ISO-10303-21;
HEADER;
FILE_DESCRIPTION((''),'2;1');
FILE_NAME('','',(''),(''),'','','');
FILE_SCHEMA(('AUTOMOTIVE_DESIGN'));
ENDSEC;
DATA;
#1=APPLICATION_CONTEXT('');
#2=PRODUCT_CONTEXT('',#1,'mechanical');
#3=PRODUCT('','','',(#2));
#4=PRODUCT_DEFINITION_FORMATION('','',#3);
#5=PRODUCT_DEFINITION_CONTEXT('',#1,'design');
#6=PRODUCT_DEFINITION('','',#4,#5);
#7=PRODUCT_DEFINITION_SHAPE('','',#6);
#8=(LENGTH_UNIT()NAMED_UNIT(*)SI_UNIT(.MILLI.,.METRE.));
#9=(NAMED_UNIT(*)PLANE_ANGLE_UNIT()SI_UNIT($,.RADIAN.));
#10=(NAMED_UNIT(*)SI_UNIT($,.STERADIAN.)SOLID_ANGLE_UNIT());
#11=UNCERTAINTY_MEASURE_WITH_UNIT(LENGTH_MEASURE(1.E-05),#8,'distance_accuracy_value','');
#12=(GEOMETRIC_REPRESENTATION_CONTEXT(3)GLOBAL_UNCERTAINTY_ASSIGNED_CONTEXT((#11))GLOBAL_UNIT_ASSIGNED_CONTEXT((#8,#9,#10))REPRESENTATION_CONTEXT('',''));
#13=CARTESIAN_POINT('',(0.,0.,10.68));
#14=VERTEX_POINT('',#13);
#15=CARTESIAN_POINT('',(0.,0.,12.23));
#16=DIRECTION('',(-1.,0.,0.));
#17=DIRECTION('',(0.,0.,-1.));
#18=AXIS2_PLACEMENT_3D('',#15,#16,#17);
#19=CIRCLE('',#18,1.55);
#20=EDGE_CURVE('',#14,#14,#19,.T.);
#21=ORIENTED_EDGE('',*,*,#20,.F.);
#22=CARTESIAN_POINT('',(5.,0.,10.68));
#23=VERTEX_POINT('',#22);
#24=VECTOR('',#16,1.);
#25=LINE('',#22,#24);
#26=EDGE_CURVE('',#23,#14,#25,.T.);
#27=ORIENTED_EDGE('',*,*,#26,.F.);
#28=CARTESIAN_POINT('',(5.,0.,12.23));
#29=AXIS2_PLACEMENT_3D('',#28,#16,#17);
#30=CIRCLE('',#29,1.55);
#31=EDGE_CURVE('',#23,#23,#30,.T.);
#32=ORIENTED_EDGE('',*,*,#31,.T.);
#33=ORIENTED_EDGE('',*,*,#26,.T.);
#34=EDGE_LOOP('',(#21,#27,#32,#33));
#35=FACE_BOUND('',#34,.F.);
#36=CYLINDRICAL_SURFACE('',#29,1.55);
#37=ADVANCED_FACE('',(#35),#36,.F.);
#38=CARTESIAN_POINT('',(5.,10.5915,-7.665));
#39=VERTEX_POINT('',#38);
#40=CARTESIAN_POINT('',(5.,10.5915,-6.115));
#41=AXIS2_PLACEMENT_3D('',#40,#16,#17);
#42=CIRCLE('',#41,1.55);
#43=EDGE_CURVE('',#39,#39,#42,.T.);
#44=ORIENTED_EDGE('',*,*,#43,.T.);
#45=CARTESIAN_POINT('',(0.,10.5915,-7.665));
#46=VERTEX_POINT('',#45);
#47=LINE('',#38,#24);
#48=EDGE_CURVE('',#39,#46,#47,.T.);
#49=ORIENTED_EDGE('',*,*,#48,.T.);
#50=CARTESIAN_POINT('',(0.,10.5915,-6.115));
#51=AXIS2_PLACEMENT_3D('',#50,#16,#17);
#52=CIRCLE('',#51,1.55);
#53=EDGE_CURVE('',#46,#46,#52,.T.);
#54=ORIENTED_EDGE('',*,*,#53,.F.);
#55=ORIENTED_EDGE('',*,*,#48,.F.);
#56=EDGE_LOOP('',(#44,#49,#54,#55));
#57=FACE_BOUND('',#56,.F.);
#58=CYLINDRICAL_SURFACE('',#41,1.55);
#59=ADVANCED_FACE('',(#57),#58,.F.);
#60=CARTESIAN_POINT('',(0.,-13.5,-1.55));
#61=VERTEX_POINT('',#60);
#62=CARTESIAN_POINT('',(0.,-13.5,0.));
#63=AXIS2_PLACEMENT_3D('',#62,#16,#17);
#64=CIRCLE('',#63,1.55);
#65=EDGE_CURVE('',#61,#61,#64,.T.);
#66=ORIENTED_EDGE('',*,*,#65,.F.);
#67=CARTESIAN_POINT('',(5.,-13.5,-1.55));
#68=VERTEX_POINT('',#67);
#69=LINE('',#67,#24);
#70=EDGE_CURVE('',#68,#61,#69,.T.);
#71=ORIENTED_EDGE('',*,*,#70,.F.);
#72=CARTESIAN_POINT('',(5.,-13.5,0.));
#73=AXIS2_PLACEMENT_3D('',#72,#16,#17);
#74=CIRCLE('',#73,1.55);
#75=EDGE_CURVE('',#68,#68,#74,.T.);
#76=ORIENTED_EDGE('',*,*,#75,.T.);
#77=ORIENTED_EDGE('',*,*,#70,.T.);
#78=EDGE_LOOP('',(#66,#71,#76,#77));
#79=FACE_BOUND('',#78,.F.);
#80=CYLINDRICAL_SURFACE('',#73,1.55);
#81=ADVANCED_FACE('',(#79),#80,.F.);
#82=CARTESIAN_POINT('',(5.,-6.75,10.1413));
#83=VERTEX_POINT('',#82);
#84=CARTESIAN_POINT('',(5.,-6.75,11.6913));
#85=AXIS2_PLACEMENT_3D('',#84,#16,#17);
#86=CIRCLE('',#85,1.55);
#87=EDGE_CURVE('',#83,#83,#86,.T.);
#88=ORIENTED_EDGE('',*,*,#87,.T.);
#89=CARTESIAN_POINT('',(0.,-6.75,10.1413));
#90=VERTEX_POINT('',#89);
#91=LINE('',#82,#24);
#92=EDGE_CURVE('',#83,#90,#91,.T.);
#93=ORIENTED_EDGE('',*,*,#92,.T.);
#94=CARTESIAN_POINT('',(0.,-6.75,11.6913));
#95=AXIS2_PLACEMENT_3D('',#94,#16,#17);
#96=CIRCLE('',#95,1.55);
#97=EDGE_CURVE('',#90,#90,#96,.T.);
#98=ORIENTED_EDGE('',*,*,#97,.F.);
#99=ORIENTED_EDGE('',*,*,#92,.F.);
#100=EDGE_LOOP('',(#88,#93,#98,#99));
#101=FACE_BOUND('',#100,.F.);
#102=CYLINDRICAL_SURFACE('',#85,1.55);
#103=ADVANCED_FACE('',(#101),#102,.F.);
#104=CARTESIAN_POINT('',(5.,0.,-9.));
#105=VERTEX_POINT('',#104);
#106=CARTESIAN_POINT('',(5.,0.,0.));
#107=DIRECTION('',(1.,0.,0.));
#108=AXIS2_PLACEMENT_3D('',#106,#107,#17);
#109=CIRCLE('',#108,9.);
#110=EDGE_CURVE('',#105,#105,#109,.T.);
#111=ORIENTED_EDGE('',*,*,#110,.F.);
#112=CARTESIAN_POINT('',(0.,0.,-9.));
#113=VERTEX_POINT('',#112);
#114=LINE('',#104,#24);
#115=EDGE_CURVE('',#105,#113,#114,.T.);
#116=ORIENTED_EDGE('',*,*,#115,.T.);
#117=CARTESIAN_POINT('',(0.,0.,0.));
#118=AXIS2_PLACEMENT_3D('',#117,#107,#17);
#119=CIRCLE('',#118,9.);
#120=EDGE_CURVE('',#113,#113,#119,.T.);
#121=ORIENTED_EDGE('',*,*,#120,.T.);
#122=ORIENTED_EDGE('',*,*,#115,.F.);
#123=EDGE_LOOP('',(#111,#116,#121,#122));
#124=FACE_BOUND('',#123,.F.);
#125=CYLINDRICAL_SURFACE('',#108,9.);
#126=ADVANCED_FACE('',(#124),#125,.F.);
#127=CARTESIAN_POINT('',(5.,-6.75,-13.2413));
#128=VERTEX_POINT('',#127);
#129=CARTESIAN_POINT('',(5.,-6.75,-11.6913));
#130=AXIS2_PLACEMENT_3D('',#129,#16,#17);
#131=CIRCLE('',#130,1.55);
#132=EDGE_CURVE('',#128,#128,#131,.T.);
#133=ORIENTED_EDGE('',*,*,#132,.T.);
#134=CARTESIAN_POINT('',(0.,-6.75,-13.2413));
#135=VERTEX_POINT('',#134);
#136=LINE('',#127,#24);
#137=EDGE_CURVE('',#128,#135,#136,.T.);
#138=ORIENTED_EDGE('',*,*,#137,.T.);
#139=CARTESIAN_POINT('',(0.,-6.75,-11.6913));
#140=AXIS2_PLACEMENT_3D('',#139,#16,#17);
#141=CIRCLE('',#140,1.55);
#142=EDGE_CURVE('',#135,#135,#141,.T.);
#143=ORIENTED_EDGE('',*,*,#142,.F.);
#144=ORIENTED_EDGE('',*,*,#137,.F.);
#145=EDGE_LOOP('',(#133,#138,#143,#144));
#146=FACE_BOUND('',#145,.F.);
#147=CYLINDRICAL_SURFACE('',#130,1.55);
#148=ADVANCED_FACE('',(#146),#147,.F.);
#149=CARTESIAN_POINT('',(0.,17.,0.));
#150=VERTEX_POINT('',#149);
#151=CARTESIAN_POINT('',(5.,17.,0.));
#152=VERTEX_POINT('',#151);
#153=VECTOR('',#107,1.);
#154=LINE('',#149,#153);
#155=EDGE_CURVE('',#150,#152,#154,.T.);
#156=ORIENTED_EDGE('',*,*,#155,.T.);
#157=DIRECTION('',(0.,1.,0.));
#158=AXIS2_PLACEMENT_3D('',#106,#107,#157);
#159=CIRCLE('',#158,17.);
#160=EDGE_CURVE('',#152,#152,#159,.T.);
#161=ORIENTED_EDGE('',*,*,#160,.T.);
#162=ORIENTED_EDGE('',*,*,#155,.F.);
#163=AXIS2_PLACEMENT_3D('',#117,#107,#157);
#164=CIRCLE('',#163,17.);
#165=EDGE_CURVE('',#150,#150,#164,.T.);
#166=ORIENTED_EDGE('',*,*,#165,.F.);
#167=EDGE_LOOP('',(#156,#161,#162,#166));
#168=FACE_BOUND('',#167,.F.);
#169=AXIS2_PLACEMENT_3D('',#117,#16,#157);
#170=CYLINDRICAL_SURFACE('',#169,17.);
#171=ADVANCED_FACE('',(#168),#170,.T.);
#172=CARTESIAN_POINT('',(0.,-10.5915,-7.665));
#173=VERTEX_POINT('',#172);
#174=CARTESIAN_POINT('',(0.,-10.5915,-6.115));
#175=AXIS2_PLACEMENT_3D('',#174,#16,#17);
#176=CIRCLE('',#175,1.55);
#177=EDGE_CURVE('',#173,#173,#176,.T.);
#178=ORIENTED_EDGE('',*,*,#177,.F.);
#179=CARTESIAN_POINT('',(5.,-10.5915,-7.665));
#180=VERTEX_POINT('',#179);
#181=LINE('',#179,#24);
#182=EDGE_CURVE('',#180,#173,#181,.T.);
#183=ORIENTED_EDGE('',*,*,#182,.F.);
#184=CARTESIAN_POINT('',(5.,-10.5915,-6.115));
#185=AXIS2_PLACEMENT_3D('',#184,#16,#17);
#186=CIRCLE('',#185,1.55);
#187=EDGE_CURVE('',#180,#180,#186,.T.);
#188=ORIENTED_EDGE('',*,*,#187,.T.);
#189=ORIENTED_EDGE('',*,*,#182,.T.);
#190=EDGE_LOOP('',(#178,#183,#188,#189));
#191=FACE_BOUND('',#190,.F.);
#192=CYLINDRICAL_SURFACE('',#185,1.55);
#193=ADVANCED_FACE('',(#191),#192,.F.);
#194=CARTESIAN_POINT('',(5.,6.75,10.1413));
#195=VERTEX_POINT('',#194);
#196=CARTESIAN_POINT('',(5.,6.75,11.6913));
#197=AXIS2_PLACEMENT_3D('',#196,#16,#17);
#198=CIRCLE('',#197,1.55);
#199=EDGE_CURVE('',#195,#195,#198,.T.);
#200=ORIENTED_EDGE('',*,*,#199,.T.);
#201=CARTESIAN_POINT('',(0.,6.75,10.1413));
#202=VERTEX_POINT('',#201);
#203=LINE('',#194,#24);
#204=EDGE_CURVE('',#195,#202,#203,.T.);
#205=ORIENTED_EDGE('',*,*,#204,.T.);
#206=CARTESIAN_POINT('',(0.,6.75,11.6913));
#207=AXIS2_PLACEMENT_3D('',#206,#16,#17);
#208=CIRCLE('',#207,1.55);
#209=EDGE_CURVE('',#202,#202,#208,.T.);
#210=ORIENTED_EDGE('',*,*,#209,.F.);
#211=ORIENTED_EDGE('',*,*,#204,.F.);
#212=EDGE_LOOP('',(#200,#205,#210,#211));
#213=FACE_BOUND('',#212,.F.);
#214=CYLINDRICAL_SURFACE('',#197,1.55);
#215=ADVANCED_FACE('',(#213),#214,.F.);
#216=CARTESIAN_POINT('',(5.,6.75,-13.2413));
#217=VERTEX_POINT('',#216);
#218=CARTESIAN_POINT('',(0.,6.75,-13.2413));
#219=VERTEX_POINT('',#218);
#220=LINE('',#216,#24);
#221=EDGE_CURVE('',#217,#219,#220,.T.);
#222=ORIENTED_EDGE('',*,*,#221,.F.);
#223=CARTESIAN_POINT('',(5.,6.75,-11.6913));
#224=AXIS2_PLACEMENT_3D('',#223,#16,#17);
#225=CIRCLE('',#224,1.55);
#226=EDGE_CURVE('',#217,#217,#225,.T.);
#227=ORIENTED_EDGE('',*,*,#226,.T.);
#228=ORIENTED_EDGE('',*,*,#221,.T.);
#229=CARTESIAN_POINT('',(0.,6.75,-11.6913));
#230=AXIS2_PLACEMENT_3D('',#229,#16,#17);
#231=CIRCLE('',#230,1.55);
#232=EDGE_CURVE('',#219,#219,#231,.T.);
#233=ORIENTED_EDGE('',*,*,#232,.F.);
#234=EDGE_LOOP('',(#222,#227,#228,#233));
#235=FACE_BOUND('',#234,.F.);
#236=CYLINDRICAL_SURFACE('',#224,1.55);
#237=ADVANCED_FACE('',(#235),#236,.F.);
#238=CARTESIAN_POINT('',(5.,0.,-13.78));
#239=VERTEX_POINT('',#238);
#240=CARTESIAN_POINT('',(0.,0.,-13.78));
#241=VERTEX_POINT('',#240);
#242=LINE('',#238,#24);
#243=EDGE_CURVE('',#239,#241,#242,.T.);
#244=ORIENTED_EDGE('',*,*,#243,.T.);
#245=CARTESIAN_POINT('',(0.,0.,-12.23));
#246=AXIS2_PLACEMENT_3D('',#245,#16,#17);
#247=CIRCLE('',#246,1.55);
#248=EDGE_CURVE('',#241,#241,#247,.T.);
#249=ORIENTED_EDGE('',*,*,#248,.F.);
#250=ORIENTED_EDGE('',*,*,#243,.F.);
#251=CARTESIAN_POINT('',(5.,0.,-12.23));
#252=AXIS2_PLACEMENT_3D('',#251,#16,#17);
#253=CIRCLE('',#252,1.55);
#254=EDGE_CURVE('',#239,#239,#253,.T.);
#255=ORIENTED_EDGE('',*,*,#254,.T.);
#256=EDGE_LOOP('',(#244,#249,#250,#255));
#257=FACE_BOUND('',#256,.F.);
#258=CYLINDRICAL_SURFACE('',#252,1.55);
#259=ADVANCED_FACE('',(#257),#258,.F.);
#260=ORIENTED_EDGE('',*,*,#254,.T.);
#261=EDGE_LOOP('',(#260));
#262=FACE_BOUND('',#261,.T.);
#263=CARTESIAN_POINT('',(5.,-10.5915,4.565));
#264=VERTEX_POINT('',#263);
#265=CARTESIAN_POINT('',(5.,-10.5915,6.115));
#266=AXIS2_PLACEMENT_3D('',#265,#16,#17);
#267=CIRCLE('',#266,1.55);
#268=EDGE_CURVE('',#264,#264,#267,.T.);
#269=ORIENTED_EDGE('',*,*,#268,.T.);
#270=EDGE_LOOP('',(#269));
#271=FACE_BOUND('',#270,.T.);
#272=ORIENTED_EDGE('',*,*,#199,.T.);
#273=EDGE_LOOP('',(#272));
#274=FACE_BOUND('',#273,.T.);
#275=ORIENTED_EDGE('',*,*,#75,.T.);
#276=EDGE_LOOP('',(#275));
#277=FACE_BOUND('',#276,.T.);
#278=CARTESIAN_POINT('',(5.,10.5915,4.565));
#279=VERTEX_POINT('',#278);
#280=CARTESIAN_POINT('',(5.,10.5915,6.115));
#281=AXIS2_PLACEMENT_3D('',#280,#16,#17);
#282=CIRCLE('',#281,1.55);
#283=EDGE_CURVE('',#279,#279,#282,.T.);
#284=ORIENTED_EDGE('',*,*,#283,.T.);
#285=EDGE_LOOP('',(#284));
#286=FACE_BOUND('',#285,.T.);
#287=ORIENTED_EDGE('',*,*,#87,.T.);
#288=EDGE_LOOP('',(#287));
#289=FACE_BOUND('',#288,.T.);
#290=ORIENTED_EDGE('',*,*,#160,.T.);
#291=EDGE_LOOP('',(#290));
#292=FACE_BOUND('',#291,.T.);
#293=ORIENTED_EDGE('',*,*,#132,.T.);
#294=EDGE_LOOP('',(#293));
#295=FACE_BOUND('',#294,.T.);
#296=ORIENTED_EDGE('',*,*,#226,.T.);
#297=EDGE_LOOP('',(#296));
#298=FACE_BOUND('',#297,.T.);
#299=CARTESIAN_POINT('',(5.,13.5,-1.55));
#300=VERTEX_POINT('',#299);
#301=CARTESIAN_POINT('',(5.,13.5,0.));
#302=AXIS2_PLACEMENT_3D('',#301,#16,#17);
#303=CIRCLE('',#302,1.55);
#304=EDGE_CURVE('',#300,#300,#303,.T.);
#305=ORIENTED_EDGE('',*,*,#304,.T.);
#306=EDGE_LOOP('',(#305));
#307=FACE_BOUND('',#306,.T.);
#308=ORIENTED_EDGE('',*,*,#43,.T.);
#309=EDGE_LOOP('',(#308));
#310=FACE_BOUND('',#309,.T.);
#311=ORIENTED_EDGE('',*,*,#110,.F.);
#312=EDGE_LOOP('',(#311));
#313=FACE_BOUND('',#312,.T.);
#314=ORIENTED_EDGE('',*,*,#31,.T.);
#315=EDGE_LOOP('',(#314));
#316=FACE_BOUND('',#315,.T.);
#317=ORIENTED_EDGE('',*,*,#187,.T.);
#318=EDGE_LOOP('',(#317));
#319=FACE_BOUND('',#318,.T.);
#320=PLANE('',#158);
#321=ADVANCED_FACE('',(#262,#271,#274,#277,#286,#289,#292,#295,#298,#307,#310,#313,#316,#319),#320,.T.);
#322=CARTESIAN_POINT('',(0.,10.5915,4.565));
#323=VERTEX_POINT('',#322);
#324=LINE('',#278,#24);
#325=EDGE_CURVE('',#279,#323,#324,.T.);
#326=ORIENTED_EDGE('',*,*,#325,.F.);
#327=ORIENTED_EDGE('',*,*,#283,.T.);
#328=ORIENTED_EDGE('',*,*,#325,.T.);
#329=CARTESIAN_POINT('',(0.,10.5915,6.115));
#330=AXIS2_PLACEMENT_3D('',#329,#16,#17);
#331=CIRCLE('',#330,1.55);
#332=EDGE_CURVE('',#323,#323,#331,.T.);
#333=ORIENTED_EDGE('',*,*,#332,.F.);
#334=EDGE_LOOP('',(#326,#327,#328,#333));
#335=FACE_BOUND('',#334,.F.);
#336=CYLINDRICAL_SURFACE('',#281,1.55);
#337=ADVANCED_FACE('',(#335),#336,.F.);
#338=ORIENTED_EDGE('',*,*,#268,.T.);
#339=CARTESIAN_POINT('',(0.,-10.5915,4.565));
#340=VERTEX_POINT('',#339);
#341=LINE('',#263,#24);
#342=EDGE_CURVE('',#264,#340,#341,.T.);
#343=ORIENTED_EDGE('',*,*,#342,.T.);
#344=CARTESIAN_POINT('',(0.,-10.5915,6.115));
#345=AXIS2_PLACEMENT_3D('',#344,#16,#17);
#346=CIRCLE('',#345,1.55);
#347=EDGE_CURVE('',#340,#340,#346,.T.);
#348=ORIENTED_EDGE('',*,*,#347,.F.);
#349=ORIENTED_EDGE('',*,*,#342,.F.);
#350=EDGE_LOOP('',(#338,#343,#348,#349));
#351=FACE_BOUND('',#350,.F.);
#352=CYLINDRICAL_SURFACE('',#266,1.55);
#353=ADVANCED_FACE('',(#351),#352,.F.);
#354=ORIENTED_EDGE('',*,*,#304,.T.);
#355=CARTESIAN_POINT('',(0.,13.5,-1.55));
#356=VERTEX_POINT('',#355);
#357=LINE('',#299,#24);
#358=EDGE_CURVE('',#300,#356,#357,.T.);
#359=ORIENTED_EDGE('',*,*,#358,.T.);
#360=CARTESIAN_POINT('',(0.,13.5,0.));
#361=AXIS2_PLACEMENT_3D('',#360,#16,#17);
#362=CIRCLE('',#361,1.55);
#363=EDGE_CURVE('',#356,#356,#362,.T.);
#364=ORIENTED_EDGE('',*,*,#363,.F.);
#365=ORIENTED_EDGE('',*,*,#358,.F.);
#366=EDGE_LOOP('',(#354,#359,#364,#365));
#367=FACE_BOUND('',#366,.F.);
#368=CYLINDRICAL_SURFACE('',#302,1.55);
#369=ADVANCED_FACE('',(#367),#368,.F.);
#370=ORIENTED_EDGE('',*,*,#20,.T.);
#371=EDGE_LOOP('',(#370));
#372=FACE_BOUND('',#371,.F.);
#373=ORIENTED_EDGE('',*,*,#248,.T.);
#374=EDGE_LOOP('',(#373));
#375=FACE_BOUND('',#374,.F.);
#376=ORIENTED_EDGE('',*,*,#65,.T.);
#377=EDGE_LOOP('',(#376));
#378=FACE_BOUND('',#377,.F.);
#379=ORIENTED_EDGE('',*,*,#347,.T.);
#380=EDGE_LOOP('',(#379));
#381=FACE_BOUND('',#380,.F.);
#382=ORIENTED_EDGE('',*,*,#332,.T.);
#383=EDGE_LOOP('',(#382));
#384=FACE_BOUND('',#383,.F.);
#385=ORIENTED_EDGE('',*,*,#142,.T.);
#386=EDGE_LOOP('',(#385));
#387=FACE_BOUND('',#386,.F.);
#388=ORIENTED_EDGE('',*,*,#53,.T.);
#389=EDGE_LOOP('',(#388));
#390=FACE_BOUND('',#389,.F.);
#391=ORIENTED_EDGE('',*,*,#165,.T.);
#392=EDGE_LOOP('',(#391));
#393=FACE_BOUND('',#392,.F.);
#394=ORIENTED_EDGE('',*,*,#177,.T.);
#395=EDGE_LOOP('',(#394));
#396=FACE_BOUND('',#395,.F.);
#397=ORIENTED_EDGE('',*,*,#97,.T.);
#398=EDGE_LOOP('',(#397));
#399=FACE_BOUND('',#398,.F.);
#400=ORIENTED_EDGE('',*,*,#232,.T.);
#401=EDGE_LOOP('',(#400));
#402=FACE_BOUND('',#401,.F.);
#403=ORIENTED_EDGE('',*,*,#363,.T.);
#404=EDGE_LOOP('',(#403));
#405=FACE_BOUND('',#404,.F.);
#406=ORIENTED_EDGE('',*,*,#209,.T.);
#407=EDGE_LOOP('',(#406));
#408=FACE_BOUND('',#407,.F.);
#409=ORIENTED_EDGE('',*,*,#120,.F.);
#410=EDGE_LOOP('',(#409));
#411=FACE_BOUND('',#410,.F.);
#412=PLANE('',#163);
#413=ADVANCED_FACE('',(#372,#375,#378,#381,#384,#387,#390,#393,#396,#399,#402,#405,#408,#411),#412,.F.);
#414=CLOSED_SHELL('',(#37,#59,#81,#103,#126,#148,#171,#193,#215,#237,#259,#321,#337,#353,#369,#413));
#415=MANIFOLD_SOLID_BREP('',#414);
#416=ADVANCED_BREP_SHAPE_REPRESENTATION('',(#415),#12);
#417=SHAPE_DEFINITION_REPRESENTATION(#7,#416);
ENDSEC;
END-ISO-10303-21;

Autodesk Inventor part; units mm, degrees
ref_plane "YZ Plane" through (0, 0, 0) normal (1, 0, 0) x (0, 1, 0)
ref_plane "XZ Plane" through (0, 0, 0) normal (0, 1, 0) x (-1, 0, 0)
ref_plane "XY Plane" through (0, 0, 0) normal (0, 0, 1) x (1, 0, 0)
sketch "スケッチ1" plane through (0, 0, 0) normal (1, 0, 0) x (0, 1, 0)
  circle A0 centre (0, 0) radius 17
  dimension "d0" = 34
extrude "押し出し1" add sketch "スケッチ1" along normal blind 5
sketch "スケッチ2" plane through (5, 0, 0) normal (1, 0, 0) x (0, 0, -1)
  circle A0 centre (0, 0) radius 13.5
  circle A1 centre (0, 0) radius 12.23
  line L0 (0, 0) -> (0, 13.5)
  line L1 (0, 0) -> (6.115, 10.5915)
  point P0 (-11.6913, 6.75)
  point P1 (-11.6913, -6.75)
  point P2 (0, -13.5)
  point P3 (11.6913, -6.75)
  point P4 (11.6913, 6.75)
  point P5 (-6.115, 10.5915)
  point P6 (-12.23, 0)
  point P7 (-6.115, -10.5915)
  point P8 (6.115, -10.5915)
  point P9 (12.23, 0)
  dimension "d3" = 27
  dimension "d4" = 24.46
  dimension "d5" = 30
  dimension "d8" = 360
  dimension "d12" = 360
hole "穴1" at (5, 13.5, 0) at (5, 6.75, 11.6913) at (5, -6.75, 11.6913) at (5, -13.5, 0) at (5, -6.75, -11.6913) at (5, 6.75, -11.6913) at (5, 10.5915, -6.115) at (5, 10.5915, 6.115) at (5, 0, 12.23) at (5, -10.5915, 6.115) at (5, 0, -12.23) at (5, -10.5915, -6.115) direction (-1, 0, 0) diameter 3.1 end through all
sketch "スケッチ3" plane through (5, 0, 0) normal (1, 0, 0) x (0, 0, -1)
  circle A0 centre (0, 0) radius 9
  dimension "d21" = 18
extrude "押し出し2" cut sketch "スケッチ3" against normal blind 5
properties part number "link2part6" material "アルミニウム 6061"
